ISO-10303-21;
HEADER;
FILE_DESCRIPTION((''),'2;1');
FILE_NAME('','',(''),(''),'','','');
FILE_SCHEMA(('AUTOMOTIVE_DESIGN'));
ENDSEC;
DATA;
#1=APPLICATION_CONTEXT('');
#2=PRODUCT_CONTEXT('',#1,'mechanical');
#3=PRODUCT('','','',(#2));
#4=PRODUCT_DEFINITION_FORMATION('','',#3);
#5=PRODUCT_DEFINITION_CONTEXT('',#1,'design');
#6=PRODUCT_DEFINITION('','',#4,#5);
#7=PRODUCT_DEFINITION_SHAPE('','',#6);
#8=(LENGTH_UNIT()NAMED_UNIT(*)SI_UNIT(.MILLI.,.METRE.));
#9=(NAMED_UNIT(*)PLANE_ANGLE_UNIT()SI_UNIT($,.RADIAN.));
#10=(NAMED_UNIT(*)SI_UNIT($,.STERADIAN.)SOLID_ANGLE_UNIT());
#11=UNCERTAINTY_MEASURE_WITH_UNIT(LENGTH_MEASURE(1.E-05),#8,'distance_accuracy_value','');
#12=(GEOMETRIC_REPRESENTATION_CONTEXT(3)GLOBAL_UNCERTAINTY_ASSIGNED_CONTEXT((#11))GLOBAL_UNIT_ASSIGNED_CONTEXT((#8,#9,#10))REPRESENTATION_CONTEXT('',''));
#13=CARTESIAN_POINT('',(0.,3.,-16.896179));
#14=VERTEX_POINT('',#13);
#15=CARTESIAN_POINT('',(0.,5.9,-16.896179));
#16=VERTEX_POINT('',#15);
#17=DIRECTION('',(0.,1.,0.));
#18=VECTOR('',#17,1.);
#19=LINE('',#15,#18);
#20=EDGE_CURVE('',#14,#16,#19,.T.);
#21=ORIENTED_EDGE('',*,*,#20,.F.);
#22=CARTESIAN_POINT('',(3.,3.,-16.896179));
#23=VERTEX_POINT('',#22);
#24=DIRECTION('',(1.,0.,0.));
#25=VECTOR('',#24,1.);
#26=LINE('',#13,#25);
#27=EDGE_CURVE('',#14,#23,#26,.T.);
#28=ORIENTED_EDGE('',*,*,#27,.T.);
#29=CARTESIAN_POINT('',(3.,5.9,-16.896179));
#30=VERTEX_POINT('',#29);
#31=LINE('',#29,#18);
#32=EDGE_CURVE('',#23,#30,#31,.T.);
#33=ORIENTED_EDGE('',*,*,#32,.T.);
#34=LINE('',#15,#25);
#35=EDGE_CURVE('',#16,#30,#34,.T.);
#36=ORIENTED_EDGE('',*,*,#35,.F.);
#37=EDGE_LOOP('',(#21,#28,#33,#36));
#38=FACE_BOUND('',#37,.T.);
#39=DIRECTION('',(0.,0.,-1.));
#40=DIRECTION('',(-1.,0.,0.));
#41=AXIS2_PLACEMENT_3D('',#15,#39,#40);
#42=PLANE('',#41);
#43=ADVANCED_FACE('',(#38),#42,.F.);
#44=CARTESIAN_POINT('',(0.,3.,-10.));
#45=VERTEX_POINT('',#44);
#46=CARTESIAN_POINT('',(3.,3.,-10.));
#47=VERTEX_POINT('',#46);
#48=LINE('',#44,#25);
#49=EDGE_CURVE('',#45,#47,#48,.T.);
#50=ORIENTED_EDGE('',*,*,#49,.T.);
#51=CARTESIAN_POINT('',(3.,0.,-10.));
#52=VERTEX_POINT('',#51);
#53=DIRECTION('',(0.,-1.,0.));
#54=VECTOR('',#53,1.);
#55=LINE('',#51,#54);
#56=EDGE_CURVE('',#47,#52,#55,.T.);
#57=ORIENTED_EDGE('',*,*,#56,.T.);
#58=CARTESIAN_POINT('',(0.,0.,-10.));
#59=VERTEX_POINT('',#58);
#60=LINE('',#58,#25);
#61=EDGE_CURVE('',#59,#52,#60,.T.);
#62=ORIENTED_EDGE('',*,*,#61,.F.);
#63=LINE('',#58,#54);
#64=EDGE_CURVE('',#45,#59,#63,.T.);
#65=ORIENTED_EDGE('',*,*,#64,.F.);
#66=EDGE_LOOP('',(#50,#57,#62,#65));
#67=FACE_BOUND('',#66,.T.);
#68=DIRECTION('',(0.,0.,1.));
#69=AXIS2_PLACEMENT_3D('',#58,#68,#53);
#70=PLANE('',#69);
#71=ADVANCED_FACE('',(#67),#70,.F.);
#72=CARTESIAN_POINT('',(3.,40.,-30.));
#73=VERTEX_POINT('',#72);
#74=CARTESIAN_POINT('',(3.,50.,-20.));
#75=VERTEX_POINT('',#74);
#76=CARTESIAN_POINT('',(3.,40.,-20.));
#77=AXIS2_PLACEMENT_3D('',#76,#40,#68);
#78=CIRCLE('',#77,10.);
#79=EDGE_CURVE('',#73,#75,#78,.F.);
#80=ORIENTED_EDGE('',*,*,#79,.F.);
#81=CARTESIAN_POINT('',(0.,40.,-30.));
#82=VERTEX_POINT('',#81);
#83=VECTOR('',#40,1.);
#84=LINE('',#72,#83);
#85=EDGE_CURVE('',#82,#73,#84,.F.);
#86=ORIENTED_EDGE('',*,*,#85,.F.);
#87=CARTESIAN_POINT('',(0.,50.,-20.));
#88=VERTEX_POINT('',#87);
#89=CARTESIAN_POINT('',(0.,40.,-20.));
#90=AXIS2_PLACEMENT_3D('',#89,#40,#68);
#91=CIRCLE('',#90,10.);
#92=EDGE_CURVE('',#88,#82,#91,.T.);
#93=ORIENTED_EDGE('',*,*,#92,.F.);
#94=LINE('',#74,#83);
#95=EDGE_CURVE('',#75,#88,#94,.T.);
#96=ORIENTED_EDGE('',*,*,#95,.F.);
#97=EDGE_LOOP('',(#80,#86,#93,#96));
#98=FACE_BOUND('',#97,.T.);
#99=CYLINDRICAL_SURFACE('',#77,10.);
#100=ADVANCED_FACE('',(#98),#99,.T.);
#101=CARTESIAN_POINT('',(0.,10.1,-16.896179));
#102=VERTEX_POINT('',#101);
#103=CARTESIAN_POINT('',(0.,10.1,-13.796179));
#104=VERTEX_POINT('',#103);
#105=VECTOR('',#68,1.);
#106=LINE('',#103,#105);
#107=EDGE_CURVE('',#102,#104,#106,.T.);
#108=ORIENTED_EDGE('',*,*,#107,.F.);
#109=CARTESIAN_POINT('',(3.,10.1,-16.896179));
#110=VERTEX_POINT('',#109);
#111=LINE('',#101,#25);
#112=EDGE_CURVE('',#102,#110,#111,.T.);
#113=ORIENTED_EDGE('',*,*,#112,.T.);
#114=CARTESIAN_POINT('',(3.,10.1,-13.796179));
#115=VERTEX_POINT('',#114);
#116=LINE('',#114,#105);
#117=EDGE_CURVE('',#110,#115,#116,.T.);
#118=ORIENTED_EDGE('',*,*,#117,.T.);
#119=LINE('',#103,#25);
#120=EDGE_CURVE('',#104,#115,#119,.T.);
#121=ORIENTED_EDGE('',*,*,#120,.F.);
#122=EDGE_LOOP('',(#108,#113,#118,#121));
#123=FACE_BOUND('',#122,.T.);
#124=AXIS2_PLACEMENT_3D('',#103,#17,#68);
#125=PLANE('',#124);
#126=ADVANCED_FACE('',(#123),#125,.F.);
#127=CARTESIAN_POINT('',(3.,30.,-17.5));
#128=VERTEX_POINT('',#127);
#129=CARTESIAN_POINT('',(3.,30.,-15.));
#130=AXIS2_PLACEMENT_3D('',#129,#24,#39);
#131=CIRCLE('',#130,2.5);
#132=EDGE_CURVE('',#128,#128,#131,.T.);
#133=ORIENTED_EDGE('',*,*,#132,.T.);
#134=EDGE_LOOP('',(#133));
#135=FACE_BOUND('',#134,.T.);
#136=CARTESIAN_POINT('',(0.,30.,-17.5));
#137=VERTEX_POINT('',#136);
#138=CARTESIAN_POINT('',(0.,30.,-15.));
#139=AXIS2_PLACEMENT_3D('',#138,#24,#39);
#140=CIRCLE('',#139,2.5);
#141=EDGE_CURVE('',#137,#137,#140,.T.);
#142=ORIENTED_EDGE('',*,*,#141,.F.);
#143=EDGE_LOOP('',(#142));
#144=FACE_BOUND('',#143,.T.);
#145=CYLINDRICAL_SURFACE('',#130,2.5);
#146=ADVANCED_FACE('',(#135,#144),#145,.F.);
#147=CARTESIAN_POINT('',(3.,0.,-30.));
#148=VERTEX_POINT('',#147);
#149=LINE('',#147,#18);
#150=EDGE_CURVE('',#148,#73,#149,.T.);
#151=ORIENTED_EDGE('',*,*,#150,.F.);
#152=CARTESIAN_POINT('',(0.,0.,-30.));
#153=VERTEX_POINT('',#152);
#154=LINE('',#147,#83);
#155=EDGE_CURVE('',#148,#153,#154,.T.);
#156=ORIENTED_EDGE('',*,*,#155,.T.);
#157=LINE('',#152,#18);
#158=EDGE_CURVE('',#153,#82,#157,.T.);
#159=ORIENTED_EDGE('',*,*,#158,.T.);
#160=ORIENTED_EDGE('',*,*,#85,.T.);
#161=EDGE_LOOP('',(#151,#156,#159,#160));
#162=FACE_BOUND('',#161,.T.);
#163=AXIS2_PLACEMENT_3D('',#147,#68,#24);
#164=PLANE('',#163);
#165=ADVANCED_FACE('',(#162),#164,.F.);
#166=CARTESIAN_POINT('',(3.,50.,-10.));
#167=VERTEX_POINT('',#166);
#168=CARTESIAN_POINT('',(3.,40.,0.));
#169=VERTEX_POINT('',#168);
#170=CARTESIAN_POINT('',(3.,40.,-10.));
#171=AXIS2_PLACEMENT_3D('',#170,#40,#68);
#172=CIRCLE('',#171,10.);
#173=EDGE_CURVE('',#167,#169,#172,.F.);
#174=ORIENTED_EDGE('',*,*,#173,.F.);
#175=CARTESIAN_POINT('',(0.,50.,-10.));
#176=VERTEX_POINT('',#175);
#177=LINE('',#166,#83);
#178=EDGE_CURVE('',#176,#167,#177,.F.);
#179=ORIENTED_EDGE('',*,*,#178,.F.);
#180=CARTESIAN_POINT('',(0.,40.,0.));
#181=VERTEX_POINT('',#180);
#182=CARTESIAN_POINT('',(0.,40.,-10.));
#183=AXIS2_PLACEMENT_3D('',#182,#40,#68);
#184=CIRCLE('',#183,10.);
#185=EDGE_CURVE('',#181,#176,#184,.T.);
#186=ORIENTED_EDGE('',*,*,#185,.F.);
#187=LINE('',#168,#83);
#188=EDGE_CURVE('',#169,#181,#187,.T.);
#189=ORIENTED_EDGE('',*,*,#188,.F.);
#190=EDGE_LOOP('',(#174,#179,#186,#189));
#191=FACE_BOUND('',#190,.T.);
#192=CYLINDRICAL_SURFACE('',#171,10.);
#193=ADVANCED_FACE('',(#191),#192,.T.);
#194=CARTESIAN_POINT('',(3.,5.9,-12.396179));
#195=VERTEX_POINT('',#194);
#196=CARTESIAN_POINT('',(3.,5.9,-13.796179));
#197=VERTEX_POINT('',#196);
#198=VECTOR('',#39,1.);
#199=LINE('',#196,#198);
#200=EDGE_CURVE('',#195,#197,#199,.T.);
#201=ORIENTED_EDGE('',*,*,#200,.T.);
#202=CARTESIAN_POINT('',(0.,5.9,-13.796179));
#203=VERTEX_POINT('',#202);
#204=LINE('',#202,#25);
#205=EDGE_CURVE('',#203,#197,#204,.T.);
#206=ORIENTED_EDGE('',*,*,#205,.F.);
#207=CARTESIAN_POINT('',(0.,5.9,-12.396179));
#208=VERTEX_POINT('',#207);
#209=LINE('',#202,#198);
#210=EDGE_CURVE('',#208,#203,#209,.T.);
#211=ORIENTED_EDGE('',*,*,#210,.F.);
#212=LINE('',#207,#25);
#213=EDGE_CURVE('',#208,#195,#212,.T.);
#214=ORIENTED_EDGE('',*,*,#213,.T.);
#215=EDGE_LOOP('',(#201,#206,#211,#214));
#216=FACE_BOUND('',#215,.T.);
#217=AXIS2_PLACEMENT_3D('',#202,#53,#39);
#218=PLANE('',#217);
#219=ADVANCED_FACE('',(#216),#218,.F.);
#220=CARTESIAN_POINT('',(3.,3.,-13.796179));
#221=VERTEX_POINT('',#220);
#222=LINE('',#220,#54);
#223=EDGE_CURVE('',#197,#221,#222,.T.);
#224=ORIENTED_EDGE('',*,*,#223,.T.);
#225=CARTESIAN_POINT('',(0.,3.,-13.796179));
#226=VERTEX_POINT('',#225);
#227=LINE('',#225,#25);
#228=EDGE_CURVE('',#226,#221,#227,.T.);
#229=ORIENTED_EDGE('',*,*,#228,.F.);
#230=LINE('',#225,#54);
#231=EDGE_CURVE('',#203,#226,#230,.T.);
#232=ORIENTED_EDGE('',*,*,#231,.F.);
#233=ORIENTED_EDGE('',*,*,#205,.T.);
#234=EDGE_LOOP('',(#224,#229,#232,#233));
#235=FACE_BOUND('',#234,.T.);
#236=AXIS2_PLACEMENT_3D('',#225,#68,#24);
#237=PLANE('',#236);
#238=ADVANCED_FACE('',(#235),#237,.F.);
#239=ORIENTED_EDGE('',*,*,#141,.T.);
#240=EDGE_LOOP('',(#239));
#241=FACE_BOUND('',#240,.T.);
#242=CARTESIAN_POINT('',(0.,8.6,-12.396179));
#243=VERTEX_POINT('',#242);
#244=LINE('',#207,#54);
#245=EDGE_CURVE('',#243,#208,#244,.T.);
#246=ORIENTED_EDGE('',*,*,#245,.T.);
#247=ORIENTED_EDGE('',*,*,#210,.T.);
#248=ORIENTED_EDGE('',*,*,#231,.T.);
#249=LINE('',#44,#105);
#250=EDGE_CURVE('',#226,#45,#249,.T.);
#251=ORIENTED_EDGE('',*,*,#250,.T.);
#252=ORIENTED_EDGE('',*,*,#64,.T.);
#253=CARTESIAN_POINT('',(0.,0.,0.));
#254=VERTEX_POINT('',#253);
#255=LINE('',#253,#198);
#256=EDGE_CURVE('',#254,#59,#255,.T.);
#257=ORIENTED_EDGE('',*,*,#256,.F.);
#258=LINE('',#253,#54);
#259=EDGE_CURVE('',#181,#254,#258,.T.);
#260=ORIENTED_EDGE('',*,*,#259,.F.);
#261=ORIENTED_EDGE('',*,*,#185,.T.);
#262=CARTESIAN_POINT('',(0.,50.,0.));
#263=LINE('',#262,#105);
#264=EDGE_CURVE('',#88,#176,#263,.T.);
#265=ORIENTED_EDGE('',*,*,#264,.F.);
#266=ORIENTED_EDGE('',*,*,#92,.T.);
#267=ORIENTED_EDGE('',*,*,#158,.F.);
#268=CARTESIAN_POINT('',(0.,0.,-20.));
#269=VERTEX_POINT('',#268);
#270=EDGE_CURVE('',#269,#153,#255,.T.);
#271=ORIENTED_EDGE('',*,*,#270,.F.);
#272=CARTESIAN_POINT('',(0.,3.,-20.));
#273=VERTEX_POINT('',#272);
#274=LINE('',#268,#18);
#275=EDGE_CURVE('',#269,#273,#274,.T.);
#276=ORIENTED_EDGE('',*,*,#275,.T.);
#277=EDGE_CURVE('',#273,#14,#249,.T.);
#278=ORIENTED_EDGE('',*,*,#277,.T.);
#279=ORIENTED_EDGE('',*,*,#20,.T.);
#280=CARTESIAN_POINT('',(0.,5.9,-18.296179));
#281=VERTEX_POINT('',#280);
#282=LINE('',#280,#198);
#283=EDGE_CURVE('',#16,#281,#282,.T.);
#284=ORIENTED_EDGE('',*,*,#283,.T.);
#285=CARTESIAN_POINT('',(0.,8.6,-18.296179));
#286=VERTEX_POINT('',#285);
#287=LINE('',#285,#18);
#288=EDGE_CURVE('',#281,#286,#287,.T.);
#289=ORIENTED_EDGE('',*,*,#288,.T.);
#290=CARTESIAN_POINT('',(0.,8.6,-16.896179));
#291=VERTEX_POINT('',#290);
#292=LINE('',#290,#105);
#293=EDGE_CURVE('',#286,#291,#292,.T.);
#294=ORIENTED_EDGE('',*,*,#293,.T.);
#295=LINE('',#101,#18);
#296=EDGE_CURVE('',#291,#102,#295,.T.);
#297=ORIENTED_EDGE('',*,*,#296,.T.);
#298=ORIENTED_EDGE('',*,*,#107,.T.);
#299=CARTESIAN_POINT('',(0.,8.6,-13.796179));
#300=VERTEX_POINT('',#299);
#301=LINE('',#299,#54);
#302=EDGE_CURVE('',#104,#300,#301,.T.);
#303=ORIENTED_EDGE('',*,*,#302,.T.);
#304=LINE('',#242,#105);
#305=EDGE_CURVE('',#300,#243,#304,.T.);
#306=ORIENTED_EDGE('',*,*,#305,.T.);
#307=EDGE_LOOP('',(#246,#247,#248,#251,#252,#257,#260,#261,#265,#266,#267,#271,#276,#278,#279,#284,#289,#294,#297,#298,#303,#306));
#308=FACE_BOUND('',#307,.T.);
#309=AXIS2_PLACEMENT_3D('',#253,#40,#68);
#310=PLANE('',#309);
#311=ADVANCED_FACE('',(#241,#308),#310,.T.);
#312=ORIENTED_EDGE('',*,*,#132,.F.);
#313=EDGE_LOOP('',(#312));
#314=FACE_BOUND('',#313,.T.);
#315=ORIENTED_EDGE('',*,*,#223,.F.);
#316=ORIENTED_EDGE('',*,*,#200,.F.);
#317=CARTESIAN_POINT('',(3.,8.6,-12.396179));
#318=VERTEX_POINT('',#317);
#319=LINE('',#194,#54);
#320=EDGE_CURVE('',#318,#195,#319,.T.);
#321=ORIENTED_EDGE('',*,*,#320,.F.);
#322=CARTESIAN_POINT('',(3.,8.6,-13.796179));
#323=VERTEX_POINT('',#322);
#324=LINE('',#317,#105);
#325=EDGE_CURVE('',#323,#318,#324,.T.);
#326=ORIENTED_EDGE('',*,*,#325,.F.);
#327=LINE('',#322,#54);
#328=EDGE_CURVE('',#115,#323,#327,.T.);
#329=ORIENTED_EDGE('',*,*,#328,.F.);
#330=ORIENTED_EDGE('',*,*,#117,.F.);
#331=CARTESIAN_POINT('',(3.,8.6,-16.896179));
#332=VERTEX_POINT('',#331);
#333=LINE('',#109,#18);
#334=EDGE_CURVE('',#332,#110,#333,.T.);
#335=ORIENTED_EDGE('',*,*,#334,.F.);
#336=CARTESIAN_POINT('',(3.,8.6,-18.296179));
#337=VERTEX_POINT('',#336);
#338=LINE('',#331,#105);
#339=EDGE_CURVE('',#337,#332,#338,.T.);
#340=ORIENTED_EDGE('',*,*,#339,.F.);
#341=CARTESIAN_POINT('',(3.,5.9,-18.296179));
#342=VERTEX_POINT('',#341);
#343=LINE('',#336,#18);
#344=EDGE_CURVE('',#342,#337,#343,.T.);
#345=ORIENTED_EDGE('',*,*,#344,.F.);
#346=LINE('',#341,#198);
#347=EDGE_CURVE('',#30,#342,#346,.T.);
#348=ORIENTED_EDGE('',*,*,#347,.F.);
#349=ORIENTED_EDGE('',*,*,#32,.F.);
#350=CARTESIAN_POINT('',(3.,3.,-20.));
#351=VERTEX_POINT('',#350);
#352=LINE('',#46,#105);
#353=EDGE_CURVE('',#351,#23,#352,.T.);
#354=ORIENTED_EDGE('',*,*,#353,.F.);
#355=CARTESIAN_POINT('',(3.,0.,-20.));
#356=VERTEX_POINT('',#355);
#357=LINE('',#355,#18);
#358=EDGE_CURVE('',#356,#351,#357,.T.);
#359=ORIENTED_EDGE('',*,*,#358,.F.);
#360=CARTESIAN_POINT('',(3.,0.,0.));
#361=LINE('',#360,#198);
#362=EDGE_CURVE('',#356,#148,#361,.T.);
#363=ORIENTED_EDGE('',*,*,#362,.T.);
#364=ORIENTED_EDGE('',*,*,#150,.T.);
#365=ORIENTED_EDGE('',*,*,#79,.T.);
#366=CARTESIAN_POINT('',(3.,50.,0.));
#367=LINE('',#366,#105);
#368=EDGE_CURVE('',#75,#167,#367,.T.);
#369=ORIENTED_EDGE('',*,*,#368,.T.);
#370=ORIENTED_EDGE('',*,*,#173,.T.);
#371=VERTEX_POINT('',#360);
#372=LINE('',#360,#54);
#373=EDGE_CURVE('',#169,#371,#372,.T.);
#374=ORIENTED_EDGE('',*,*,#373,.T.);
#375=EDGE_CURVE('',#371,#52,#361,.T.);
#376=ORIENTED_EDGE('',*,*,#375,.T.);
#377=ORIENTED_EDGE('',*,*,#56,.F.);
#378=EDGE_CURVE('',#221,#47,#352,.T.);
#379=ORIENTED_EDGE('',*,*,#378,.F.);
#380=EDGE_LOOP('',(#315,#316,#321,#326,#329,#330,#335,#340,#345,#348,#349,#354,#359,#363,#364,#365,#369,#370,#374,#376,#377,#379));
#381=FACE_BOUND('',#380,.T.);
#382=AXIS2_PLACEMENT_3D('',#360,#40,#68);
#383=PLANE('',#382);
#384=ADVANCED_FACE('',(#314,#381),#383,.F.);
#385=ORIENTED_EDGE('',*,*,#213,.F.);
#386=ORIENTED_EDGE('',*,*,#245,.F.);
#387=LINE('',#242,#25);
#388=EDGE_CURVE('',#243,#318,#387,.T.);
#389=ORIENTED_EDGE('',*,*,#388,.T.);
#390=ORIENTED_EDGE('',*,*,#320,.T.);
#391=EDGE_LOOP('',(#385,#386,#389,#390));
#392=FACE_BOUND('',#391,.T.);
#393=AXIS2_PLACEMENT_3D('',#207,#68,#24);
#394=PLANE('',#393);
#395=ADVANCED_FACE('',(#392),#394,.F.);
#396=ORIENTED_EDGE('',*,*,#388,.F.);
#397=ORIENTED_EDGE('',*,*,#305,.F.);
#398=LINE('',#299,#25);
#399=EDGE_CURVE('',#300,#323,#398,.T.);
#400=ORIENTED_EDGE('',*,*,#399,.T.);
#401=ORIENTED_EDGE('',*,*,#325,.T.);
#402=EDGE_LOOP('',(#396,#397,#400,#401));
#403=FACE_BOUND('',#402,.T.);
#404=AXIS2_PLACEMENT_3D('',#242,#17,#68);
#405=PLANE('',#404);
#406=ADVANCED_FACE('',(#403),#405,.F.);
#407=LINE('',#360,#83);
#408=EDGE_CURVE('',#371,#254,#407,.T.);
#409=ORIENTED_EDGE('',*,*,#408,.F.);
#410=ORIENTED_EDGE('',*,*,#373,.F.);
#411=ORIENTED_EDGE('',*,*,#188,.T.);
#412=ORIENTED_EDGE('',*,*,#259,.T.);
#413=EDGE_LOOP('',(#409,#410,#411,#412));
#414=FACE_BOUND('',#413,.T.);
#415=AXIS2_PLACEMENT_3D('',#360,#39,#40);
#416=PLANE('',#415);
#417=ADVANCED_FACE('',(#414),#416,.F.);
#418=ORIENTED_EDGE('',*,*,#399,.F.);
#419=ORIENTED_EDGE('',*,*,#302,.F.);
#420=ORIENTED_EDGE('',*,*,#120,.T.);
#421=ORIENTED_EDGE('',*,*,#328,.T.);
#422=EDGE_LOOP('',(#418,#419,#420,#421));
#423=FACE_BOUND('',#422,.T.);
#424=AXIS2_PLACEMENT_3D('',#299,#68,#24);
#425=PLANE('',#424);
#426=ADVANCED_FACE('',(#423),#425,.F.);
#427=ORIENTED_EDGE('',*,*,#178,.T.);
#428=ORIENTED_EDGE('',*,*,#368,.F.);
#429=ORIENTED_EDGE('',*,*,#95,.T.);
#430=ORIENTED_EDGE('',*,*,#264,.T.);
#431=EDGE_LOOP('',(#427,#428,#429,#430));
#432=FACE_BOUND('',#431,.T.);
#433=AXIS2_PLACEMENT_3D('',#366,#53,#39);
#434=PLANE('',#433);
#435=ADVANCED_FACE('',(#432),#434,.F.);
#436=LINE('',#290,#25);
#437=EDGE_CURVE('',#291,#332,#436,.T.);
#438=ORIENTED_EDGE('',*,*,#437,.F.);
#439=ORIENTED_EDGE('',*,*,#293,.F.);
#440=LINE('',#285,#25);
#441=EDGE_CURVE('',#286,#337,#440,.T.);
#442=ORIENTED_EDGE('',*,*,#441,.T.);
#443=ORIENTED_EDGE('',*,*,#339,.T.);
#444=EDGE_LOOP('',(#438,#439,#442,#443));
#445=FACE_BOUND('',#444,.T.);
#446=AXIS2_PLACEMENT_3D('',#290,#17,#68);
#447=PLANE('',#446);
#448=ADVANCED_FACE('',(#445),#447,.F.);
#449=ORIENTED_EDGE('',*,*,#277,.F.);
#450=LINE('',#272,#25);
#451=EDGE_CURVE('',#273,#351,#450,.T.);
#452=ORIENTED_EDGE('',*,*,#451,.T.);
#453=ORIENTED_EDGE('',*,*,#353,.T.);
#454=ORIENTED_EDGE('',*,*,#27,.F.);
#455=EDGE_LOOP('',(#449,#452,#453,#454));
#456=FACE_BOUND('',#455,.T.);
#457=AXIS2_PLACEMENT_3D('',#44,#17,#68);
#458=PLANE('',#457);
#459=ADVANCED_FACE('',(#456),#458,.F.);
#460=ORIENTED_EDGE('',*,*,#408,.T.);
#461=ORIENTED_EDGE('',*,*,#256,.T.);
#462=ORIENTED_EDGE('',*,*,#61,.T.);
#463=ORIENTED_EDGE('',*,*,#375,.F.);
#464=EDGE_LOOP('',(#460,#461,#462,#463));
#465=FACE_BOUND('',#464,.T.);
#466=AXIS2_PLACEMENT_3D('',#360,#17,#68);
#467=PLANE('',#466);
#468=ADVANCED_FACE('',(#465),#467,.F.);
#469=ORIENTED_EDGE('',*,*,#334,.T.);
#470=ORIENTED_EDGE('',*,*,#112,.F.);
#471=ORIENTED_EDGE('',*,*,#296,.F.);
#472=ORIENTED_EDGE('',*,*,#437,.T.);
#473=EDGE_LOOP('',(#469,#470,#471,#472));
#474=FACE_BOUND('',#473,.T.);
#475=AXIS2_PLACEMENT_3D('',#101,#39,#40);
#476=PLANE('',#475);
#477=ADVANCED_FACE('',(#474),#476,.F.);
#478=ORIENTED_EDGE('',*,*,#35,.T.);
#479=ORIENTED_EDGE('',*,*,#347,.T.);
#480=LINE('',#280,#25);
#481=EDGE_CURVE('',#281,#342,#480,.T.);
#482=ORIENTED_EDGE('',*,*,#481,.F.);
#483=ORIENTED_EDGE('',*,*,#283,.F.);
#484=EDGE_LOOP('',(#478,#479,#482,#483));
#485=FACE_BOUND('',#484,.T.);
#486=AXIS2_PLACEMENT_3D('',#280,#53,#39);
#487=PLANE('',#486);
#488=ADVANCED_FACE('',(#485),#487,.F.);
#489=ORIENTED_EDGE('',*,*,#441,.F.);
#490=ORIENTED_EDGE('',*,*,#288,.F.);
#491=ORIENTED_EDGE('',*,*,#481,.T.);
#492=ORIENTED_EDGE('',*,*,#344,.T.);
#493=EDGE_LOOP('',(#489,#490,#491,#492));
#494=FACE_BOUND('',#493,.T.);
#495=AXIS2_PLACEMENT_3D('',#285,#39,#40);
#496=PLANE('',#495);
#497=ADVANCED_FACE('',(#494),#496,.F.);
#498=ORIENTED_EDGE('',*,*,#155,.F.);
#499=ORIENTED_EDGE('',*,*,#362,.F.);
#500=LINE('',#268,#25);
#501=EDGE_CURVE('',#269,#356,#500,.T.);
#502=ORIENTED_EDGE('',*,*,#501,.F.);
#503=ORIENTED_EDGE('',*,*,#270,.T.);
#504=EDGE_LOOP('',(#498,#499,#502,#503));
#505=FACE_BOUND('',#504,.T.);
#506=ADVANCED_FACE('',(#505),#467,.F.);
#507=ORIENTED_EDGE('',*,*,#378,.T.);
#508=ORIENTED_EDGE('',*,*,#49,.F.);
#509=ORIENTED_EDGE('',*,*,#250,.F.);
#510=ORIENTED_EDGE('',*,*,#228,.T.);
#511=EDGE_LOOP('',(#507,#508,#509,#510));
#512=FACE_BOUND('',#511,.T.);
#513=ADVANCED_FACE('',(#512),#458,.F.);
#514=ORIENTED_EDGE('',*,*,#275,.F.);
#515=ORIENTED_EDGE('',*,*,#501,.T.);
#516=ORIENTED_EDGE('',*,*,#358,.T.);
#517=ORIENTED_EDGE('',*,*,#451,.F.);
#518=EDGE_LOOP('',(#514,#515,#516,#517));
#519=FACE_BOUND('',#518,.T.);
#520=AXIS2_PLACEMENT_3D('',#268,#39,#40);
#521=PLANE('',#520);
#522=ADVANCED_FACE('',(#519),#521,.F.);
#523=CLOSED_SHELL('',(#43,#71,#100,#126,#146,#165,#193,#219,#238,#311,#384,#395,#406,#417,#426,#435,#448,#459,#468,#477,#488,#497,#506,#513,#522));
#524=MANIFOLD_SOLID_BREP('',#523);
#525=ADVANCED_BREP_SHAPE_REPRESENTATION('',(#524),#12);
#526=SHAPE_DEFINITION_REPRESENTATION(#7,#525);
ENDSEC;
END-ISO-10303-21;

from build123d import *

# Parameters (mm, degrees)
SKETCH1_W                 = 30
SKETCH1_H                 = 50
BOSS_EXTRUDE1_DEPTH       = 3
FILLET1_R                 = 10
SKETCH2_W                 = 10
SKETCH2_H                 = 3
CUT_EXTRUDE1_DEPTH        = 3
F_5_0MM_DOWEL_HOLE1_D     = 5
F_5_0MM_DOWEL_HOLE1_DEPTH = 3
F_5_0MM_DOWEL_HOLE1_TIP   = 1.502151548
CUT_EXTRUDE2_DEPTH        = 3


with BuildPart() as part:
    # Sketch1 → Boss-Extrude1 (new body)
    with BuildSketch(Plane(origin=(0, 0, 0), x_dir=(0, 0, -1), z_dir=(1, 0, 0))):
        with Locations((15, 25)):
            Rectangle(SKETCH1_W, SKETCH1_H)
    extrude(amount=BOSS_EXTRUDE1_DEPTH)

    # Fillet1
    fillet1_edges = [part.edges().sort_by_distance(p)[0] for p in [
        (1.5, 50, 0),
        (1.5, 50, -30),
    ]]
    fillet(fillet1_edges, radius=FILLET1_R)

    # Sketch2 → Cut-Extrude1 (cut)
    with BuildSketch(Plane(origin=(3, 0, 0), x_dir=(0, 0, -1), z_dir=(1, 0, 0))):
        with Locations((15, 1.5)):
            Rectangle(SKETCH2_W, SKETCH2_H)
    extrude(amount=-CUT_EXTRUDE1_DEPTH, mode=Mode.SUBTRACT)

    # Ø5.0mm Dowel Hole1
    with Locations(Plane(origin=(3, 0, 0), x_dir=(0, 0, -1), z_dir=(1, 0, 0))):
        with Locations((15, 30)):
            Hole(F_5_0MM_DOWEL_HOLE1_D / 2, depth=F_5_0MM_DOWEL_HOLE1_DEPTH)
            with Locations((0, 0, -(F_5_0MM_DOWEL_HOLE1_DEPTH + F_5_0MM_DOWEL_HOLE1_TIP / 2))):  # 118° drill point
                Cone(0, F_5_0MM_DOWEL_HOLE1_D / 2, F_5_0MM_DOWEL_HOLE1_TIP, mode=Mode.SUBTRACT)

    # Sketch5 → Cut-Extrude2 (cut)
    with BuildSketch(Plane(origin=(3, 0, 0), x_dir=(0, 0, -1), z_dir=(1, 0, 0))):
        Polygon((13.796178669, 3), (13.796178669, 5.9), (12.396178669, 5.9), (12.396178669, 8.6), (13.796178669, 8.6), (13.796178669, 10.1), (16.896178669, 10.1), (16.896178669, 8.6), (18.296178669, 8.6), (18.296178669, 5.9), (16.896178669, 5.9), (16.896178669, 3), align=None)
    extrude(amount=-CUT_EXTRUDE2_DEPTH, mode=Mode.SUBTRACT)


solid = part.part
